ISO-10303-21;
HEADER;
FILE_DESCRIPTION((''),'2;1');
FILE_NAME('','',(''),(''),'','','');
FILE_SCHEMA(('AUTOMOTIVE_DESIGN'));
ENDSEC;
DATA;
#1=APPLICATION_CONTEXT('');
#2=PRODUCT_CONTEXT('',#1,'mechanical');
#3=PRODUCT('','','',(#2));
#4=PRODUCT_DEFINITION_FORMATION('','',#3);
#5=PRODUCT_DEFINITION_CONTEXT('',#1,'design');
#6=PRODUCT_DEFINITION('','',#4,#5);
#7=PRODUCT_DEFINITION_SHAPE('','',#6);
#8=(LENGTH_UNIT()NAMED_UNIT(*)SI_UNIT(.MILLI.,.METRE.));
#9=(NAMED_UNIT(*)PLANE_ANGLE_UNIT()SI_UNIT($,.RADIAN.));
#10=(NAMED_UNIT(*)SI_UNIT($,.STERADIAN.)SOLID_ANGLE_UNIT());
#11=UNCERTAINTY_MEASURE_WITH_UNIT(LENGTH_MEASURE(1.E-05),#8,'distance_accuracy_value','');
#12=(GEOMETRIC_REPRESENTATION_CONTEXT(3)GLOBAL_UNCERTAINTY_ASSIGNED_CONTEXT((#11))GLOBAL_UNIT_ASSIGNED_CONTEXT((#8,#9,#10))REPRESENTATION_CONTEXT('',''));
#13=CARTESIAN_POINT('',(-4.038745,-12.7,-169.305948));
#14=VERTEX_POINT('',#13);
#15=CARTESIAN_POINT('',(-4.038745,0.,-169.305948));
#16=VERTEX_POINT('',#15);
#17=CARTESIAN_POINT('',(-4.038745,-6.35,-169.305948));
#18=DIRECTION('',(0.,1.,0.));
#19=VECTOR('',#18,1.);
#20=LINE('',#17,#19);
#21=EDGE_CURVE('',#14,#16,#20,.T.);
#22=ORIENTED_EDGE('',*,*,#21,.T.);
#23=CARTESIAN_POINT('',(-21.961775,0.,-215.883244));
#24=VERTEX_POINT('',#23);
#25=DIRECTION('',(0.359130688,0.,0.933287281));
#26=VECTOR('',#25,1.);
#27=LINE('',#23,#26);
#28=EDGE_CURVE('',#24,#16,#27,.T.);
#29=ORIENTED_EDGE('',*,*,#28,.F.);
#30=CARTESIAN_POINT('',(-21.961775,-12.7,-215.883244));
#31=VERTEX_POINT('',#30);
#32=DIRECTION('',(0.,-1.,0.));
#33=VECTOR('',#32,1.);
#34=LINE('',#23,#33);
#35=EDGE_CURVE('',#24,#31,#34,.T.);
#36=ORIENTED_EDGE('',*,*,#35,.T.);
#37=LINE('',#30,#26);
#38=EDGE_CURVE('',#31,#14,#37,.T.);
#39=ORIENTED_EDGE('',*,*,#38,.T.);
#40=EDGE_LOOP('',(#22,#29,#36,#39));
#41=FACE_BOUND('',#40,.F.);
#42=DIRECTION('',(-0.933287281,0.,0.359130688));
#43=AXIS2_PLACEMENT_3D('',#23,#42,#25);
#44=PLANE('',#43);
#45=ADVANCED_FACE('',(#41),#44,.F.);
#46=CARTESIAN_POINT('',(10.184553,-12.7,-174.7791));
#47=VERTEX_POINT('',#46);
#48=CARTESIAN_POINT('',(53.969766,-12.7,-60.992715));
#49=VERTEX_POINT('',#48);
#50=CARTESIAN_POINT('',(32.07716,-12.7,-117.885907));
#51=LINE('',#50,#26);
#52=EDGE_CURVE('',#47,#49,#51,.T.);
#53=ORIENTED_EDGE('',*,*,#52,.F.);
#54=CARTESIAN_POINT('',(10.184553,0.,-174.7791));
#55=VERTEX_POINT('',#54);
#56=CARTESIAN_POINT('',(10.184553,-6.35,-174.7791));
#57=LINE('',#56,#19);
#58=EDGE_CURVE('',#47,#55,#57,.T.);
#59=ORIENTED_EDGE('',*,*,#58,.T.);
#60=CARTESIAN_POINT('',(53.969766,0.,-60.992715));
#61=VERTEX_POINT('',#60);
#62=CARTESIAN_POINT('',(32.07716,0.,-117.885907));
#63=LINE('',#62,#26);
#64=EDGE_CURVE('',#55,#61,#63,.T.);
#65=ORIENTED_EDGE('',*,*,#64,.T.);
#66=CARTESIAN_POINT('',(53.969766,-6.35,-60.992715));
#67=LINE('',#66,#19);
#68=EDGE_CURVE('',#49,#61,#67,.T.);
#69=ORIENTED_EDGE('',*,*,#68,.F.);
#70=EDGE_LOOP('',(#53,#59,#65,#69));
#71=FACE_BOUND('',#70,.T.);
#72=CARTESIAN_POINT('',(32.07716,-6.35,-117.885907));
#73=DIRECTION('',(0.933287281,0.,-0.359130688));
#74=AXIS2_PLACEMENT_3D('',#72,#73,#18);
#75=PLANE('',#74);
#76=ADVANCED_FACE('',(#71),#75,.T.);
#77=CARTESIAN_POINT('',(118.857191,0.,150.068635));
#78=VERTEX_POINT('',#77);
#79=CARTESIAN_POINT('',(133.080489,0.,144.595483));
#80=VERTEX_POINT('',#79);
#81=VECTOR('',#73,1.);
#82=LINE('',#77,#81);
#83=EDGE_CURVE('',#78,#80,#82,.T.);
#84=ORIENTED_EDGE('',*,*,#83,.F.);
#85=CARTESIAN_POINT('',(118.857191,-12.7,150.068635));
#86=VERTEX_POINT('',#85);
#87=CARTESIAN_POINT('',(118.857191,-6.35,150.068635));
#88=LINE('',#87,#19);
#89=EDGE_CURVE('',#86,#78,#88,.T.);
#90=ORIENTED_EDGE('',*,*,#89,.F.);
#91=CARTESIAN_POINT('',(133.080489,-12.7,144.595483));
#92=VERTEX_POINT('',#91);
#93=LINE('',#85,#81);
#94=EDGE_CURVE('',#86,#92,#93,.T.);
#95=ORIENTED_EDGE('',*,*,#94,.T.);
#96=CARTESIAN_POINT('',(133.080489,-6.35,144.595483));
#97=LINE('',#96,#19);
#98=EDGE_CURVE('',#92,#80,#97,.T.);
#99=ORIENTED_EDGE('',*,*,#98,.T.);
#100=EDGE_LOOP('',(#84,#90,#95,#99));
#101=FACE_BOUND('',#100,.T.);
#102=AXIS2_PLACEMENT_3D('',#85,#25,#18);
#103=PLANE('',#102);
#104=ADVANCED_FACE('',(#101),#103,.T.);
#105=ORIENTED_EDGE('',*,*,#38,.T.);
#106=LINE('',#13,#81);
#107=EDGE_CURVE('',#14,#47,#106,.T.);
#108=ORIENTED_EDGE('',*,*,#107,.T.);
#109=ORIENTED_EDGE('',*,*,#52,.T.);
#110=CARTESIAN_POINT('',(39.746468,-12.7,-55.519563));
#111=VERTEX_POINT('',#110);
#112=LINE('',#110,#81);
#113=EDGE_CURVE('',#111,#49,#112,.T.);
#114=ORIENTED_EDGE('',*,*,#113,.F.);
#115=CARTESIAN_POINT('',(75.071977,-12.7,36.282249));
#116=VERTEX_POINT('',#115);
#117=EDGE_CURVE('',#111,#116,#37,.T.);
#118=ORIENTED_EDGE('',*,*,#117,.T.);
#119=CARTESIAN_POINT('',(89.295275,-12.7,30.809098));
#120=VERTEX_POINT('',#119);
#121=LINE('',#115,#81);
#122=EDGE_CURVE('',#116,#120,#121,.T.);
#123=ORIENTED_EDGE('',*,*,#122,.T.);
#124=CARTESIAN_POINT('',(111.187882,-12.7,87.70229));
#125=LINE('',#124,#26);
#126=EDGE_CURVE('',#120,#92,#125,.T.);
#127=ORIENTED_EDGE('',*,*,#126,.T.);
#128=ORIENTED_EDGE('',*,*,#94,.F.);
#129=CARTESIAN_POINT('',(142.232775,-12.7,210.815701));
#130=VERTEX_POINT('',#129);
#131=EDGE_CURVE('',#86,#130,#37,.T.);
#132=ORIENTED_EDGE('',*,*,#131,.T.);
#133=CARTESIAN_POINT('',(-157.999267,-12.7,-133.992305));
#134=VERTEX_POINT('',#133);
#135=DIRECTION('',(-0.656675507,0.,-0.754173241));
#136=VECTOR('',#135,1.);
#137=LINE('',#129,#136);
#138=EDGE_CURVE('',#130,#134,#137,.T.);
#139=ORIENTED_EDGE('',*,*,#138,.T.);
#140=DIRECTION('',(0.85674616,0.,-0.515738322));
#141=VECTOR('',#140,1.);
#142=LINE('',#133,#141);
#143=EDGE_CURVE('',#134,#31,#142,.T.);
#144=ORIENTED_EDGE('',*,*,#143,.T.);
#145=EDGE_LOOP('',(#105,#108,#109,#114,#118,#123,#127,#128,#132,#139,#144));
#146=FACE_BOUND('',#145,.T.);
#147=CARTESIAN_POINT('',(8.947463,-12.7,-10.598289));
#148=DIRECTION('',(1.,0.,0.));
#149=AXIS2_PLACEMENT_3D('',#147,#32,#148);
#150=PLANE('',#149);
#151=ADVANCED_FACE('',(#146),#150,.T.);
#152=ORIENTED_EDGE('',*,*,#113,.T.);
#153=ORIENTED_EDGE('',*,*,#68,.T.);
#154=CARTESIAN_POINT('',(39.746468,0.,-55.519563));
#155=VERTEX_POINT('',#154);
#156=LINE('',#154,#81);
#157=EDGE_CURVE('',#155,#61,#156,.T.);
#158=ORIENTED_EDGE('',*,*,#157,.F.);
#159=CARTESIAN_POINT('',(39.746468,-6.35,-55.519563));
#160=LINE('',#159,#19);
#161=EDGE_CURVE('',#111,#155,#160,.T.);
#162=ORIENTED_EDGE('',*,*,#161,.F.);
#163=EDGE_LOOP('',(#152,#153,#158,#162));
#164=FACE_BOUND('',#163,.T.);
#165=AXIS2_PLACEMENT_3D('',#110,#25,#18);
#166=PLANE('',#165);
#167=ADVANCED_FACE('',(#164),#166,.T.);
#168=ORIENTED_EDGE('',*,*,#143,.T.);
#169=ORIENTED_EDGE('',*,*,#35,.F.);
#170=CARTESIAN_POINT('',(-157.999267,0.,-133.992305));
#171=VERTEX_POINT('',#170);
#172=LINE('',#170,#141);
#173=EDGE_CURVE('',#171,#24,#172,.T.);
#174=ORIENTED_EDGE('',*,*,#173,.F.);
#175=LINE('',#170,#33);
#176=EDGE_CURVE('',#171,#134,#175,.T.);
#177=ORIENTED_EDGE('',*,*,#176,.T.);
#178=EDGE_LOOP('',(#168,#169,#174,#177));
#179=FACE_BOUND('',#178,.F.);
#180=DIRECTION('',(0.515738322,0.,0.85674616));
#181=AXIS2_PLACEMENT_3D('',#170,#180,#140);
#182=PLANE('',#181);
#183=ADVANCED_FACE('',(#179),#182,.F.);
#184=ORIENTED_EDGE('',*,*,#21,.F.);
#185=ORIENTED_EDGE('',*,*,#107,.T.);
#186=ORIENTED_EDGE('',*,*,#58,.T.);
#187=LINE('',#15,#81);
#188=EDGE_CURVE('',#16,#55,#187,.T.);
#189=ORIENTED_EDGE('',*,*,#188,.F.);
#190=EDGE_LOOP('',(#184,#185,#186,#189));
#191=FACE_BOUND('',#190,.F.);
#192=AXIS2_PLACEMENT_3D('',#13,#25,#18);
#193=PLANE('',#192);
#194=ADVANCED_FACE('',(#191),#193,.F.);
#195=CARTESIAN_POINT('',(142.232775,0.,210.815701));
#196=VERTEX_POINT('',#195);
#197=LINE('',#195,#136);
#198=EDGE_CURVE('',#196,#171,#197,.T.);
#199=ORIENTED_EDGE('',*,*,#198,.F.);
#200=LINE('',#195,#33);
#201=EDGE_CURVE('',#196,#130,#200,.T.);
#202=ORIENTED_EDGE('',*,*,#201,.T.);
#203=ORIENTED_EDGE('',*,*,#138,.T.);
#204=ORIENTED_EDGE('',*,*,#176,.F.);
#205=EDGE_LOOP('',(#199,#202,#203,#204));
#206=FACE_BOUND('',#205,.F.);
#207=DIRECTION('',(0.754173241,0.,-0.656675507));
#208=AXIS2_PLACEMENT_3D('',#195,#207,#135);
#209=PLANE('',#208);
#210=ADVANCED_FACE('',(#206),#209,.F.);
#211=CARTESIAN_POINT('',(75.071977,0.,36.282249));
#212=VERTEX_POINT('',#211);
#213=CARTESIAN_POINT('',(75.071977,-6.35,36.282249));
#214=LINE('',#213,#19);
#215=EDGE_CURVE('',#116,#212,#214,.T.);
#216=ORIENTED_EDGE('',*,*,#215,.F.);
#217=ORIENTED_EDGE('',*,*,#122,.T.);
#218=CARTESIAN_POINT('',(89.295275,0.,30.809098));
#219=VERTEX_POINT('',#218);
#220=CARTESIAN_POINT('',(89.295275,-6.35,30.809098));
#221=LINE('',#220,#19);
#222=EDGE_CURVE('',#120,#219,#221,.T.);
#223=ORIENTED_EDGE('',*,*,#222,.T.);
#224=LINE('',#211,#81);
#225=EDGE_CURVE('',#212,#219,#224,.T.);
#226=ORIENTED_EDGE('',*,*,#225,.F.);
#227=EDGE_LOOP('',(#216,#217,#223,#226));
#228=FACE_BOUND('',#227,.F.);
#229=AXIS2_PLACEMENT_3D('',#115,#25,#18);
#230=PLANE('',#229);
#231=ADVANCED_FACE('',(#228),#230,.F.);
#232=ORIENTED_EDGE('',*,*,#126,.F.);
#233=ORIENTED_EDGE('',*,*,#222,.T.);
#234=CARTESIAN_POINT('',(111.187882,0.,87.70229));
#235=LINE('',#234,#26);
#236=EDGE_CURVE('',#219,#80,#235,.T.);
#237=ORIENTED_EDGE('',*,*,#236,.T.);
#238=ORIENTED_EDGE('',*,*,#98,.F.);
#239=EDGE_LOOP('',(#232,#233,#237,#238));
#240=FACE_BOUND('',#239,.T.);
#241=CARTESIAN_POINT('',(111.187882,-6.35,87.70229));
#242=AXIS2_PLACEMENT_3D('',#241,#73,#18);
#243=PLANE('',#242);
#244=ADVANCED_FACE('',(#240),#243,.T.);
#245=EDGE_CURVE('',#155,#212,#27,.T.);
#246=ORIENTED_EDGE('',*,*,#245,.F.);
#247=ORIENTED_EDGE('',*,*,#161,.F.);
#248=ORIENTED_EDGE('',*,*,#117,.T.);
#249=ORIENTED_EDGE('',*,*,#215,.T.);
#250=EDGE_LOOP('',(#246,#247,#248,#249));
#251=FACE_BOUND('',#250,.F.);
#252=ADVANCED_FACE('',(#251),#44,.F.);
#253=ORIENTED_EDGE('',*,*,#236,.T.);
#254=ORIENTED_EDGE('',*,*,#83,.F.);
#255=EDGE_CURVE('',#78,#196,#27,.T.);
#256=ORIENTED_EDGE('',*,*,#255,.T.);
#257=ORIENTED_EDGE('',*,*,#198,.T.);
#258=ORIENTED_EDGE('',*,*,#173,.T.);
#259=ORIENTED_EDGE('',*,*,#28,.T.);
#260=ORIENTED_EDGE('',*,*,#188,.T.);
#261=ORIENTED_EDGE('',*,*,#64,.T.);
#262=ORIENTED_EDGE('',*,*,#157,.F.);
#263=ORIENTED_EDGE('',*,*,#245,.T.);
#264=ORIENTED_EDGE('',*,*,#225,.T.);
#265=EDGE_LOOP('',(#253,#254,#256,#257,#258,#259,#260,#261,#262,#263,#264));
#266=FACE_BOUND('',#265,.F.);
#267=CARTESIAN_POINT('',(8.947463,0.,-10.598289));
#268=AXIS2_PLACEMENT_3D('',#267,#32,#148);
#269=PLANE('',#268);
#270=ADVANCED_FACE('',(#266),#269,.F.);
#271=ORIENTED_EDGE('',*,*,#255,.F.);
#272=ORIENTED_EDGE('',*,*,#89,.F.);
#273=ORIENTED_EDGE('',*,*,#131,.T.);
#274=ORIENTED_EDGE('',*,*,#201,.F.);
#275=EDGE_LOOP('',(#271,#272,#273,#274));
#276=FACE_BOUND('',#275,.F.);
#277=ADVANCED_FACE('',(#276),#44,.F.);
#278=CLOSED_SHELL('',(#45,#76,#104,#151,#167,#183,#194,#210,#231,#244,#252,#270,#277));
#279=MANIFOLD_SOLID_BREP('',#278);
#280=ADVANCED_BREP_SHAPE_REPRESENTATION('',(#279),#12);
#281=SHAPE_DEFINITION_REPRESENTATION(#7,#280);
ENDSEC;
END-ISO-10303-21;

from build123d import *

# Parameters (mm, degrees)
F1_DEPTH = 12.7
F2_W     = 12.7
F2_H     = 121.92
F3_DEPTH = 15.24


with BuildPart() as f1:
    # F0 (on Front) → F1 (new body)
    with BuildSketch(Plane.XZ):
        Polygon((-21.9617754193, -215.8832436931), (142.2327753232, 210.8157011221), (-157.9992666454, -133.9923048397), align=None)
    extrude(amount=F1_DEPTH)

    # F2 (on face) → F3 (join)
    with BuildSketch(Plane(origin=(53.2287822362, 0, -20.4825347989), x_dir=(0, 1, 0), z_dir=(0.9332872809, 0, -0.3591306884))):
        with Locations((-6.35, 121.7824127824)):
            Rectangle(F2_W, F2_H)
        with Locations((-6.35, -98.5015256176)):
            Rectangle(F2_W, F2_H)
    extrude(amount=F3_DEPTH)


solid = f1.part
